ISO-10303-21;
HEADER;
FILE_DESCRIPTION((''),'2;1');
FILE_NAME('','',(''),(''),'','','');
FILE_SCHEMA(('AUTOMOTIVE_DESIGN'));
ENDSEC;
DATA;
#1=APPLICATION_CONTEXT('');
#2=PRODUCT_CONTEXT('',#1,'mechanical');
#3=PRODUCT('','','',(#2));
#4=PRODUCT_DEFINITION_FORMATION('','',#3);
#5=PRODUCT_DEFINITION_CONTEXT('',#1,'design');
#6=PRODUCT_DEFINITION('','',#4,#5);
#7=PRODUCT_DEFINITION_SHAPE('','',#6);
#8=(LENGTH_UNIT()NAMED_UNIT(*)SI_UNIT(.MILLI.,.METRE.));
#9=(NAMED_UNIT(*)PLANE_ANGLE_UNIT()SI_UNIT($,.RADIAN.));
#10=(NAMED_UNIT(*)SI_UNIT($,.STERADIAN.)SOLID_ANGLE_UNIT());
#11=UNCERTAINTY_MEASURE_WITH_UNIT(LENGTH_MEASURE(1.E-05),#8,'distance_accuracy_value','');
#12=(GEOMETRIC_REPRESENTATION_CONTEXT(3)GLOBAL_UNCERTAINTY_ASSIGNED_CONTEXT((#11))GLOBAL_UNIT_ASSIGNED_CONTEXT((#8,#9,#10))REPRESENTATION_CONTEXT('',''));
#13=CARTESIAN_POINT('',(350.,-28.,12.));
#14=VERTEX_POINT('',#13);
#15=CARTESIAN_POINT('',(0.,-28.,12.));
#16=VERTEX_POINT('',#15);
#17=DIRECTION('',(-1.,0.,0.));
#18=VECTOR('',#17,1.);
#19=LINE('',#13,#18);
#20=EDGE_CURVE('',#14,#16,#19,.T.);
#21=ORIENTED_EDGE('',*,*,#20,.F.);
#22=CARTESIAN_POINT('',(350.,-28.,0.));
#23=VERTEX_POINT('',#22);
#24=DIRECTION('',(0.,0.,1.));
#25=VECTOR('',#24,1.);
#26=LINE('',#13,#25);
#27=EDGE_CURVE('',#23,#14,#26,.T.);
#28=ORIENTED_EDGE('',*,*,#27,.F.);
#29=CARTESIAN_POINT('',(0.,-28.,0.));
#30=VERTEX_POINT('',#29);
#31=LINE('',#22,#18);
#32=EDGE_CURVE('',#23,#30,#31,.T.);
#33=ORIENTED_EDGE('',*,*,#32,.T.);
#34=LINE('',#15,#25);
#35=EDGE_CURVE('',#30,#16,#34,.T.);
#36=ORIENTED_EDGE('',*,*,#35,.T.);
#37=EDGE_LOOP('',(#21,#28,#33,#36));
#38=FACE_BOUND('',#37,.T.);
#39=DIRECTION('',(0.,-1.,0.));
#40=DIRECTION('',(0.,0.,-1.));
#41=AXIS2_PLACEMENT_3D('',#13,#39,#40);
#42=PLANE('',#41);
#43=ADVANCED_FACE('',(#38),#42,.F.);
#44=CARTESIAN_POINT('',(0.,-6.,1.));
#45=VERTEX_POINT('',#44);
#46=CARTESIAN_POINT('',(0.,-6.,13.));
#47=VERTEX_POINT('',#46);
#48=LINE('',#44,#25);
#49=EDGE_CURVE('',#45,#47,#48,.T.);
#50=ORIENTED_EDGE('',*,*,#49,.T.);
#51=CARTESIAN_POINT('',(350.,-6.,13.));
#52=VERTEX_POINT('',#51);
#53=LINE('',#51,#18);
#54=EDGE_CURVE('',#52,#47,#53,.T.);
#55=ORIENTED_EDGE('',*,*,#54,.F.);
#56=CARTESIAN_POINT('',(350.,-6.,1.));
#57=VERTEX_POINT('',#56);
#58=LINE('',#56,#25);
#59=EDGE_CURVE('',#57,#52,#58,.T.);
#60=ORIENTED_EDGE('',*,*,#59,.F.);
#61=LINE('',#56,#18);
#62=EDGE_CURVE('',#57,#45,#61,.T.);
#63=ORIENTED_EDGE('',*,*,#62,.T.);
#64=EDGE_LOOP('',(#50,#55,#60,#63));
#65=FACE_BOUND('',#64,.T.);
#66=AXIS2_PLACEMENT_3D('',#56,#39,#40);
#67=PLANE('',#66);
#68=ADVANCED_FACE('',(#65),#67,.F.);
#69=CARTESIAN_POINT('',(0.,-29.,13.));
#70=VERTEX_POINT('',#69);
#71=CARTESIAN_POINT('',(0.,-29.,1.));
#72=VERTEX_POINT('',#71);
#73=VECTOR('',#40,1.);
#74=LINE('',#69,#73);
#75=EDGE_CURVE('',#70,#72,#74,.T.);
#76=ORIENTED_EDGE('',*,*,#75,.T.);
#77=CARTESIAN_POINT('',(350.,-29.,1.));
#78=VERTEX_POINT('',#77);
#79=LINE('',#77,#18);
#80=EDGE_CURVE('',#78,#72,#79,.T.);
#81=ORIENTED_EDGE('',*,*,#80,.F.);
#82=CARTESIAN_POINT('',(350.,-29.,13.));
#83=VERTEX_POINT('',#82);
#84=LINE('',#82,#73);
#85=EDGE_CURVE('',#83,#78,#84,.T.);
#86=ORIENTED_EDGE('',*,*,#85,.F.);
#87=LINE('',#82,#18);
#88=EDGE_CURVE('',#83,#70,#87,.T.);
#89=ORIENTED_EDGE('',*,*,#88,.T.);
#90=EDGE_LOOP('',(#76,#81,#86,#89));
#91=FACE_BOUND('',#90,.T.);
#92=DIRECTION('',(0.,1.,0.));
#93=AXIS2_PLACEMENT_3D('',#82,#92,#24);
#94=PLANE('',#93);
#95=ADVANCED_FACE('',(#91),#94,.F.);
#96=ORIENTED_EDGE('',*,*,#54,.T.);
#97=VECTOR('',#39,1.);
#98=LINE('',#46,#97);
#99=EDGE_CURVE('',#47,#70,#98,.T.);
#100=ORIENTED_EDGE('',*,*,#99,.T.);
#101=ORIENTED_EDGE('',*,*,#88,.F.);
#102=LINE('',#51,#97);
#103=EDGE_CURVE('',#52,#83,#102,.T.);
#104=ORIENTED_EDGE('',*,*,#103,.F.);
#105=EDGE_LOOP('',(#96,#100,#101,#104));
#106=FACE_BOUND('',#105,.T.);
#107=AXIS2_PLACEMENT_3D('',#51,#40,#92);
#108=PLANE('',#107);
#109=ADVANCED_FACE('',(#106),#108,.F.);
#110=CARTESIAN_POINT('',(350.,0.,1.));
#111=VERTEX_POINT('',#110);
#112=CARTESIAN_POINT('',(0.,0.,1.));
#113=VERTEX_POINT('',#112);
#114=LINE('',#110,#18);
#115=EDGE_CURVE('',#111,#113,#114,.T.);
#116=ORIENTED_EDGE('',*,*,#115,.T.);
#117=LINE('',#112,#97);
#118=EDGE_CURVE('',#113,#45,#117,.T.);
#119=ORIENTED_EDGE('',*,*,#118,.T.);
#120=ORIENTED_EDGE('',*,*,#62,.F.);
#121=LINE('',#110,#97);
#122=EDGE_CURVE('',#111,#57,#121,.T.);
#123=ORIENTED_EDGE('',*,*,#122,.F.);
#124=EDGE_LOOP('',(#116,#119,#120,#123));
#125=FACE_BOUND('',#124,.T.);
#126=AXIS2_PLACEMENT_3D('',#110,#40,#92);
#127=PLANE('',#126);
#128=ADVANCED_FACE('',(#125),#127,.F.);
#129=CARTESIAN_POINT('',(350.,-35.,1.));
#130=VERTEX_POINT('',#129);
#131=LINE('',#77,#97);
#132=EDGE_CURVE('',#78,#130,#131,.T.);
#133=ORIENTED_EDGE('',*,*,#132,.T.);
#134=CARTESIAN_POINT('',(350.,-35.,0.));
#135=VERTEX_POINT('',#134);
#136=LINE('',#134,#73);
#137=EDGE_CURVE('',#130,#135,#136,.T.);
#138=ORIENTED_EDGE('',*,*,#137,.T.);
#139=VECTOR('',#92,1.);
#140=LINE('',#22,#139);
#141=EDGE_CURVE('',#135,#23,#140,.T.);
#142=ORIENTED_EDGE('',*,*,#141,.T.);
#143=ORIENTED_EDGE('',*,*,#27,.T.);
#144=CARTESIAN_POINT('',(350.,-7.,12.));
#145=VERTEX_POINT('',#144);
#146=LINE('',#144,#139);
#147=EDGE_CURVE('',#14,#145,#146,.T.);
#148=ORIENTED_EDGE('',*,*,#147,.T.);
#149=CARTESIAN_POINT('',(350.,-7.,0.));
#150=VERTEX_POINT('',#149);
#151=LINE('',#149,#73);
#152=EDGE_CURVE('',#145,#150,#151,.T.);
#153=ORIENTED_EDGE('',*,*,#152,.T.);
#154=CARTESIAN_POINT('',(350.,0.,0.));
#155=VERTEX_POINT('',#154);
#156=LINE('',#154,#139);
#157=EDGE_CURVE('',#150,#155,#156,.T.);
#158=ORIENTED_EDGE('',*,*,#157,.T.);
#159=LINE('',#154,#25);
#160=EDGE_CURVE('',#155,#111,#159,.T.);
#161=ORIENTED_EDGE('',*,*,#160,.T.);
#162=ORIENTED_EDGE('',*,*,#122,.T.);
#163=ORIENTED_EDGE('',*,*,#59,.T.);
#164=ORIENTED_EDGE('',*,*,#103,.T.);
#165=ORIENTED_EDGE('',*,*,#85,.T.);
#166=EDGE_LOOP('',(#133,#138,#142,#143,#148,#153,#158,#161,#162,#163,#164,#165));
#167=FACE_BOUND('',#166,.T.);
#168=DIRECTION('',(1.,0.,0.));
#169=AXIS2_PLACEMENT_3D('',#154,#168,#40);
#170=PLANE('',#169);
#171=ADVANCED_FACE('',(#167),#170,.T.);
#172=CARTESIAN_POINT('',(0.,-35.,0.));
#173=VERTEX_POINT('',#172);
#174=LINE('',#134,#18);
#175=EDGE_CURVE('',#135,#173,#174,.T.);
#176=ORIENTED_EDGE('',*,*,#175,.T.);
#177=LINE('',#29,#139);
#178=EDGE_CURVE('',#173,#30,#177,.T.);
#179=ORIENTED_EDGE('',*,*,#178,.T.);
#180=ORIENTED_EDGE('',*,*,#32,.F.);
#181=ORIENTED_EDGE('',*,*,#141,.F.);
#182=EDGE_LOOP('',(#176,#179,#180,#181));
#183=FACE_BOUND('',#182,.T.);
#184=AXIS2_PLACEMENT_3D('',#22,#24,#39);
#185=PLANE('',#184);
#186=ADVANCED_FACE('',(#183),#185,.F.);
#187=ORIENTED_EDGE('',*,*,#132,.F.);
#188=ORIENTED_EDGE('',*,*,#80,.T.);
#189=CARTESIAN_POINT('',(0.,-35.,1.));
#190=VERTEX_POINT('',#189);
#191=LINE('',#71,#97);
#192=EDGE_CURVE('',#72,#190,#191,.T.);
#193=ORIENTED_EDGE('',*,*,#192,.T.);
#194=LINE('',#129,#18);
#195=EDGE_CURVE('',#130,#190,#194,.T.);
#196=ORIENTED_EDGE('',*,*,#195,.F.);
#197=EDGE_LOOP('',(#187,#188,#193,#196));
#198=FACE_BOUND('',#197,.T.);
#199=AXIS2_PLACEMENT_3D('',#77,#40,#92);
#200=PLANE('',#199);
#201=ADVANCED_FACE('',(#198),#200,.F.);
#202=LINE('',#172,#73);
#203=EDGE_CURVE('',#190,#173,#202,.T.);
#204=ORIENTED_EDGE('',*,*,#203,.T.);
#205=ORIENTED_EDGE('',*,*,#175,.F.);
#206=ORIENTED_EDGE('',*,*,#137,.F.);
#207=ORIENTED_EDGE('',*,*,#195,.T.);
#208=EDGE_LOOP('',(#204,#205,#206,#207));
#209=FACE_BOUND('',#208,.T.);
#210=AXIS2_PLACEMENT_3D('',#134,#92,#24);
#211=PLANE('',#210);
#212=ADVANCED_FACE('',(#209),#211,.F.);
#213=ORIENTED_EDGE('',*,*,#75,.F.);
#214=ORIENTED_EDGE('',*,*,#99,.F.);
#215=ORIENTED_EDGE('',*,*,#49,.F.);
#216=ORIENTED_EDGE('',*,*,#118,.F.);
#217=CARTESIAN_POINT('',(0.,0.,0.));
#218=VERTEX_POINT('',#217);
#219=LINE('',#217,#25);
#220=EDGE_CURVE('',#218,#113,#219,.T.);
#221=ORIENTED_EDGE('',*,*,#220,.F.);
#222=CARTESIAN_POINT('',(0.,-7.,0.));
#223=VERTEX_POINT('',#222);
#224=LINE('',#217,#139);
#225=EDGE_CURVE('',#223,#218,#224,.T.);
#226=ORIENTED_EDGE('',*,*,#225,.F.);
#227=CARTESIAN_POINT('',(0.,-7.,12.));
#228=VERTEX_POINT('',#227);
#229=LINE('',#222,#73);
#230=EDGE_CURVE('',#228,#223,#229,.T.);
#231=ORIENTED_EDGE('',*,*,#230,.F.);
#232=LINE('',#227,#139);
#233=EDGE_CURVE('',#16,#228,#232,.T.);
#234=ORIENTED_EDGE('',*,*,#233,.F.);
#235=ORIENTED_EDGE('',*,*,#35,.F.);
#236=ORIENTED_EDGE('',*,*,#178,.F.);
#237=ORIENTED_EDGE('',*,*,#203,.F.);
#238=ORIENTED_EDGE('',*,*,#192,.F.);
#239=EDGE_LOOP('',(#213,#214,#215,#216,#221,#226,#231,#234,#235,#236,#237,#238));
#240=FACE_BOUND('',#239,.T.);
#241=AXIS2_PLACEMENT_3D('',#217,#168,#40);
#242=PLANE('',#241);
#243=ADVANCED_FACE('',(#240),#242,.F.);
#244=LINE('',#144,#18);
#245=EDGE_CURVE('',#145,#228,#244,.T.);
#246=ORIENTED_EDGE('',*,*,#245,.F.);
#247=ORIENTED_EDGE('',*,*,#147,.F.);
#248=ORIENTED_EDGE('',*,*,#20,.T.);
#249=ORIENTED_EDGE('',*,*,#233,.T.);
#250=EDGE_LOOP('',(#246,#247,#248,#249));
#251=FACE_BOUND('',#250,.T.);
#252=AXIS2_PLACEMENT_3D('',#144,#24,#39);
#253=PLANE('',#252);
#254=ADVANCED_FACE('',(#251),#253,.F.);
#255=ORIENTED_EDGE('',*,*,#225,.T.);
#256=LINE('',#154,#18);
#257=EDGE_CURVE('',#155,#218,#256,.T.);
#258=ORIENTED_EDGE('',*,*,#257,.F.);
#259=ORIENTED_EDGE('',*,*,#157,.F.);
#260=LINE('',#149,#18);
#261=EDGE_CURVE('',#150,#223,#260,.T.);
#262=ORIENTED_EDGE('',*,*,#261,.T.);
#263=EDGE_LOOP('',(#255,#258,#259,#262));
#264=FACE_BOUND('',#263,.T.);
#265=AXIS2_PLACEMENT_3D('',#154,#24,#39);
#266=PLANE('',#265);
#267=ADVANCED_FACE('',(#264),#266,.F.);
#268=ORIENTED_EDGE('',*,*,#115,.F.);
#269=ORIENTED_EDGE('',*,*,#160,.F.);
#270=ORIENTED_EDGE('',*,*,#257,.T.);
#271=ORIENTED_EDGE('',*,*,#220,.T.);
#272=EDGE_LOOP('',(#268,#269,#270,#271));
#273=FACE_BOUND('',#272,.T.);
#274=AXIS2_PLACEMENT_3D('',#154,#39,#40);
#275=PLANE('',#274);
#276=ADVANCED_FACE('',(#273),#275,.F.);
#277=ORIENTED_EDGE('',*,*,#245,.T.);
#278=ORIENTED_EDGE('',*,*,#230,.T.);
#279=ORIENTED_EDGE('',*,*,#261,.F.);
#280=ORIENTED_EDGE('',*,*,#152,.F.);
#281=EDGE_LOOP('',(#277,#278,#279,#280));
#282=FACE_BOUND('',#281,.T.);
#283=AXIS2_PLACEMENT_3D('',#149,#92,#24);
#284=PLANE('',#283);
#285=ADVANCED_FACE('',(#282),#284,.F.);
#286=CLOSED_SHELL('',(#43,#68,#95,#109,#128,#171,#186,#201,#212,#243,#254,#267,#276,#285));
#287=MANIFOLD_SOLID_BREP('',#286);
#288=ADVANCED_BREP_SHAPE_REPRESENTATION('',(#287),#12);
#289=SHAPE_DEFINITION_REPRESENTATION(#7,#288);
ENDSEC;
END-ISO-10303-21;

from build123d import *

# Parameters (mm, degrees)
SALIENTE_EXTRUIR1_DEPTH = 350


with BuildPart() as part:
    # Croquis1 → Saliente-Extruir1 (new body)
    with BuildSketch(Plane(origin=(0, 0, 0), x_dir=(0, 0, -1), z_dir=(1, 0, 0))):
        Polygon((0, 0), (0, -7), (-12, -7), (-12, -28), (0, -28), (0, -35), (-1, -35), (-1, -29), (-13, -29), (-13, -6), (-1, -6), (-1, 0), align=None)
    extrude(amount=SALIENTE_EXTRUIR1_DEPTH)


solid = part.part
